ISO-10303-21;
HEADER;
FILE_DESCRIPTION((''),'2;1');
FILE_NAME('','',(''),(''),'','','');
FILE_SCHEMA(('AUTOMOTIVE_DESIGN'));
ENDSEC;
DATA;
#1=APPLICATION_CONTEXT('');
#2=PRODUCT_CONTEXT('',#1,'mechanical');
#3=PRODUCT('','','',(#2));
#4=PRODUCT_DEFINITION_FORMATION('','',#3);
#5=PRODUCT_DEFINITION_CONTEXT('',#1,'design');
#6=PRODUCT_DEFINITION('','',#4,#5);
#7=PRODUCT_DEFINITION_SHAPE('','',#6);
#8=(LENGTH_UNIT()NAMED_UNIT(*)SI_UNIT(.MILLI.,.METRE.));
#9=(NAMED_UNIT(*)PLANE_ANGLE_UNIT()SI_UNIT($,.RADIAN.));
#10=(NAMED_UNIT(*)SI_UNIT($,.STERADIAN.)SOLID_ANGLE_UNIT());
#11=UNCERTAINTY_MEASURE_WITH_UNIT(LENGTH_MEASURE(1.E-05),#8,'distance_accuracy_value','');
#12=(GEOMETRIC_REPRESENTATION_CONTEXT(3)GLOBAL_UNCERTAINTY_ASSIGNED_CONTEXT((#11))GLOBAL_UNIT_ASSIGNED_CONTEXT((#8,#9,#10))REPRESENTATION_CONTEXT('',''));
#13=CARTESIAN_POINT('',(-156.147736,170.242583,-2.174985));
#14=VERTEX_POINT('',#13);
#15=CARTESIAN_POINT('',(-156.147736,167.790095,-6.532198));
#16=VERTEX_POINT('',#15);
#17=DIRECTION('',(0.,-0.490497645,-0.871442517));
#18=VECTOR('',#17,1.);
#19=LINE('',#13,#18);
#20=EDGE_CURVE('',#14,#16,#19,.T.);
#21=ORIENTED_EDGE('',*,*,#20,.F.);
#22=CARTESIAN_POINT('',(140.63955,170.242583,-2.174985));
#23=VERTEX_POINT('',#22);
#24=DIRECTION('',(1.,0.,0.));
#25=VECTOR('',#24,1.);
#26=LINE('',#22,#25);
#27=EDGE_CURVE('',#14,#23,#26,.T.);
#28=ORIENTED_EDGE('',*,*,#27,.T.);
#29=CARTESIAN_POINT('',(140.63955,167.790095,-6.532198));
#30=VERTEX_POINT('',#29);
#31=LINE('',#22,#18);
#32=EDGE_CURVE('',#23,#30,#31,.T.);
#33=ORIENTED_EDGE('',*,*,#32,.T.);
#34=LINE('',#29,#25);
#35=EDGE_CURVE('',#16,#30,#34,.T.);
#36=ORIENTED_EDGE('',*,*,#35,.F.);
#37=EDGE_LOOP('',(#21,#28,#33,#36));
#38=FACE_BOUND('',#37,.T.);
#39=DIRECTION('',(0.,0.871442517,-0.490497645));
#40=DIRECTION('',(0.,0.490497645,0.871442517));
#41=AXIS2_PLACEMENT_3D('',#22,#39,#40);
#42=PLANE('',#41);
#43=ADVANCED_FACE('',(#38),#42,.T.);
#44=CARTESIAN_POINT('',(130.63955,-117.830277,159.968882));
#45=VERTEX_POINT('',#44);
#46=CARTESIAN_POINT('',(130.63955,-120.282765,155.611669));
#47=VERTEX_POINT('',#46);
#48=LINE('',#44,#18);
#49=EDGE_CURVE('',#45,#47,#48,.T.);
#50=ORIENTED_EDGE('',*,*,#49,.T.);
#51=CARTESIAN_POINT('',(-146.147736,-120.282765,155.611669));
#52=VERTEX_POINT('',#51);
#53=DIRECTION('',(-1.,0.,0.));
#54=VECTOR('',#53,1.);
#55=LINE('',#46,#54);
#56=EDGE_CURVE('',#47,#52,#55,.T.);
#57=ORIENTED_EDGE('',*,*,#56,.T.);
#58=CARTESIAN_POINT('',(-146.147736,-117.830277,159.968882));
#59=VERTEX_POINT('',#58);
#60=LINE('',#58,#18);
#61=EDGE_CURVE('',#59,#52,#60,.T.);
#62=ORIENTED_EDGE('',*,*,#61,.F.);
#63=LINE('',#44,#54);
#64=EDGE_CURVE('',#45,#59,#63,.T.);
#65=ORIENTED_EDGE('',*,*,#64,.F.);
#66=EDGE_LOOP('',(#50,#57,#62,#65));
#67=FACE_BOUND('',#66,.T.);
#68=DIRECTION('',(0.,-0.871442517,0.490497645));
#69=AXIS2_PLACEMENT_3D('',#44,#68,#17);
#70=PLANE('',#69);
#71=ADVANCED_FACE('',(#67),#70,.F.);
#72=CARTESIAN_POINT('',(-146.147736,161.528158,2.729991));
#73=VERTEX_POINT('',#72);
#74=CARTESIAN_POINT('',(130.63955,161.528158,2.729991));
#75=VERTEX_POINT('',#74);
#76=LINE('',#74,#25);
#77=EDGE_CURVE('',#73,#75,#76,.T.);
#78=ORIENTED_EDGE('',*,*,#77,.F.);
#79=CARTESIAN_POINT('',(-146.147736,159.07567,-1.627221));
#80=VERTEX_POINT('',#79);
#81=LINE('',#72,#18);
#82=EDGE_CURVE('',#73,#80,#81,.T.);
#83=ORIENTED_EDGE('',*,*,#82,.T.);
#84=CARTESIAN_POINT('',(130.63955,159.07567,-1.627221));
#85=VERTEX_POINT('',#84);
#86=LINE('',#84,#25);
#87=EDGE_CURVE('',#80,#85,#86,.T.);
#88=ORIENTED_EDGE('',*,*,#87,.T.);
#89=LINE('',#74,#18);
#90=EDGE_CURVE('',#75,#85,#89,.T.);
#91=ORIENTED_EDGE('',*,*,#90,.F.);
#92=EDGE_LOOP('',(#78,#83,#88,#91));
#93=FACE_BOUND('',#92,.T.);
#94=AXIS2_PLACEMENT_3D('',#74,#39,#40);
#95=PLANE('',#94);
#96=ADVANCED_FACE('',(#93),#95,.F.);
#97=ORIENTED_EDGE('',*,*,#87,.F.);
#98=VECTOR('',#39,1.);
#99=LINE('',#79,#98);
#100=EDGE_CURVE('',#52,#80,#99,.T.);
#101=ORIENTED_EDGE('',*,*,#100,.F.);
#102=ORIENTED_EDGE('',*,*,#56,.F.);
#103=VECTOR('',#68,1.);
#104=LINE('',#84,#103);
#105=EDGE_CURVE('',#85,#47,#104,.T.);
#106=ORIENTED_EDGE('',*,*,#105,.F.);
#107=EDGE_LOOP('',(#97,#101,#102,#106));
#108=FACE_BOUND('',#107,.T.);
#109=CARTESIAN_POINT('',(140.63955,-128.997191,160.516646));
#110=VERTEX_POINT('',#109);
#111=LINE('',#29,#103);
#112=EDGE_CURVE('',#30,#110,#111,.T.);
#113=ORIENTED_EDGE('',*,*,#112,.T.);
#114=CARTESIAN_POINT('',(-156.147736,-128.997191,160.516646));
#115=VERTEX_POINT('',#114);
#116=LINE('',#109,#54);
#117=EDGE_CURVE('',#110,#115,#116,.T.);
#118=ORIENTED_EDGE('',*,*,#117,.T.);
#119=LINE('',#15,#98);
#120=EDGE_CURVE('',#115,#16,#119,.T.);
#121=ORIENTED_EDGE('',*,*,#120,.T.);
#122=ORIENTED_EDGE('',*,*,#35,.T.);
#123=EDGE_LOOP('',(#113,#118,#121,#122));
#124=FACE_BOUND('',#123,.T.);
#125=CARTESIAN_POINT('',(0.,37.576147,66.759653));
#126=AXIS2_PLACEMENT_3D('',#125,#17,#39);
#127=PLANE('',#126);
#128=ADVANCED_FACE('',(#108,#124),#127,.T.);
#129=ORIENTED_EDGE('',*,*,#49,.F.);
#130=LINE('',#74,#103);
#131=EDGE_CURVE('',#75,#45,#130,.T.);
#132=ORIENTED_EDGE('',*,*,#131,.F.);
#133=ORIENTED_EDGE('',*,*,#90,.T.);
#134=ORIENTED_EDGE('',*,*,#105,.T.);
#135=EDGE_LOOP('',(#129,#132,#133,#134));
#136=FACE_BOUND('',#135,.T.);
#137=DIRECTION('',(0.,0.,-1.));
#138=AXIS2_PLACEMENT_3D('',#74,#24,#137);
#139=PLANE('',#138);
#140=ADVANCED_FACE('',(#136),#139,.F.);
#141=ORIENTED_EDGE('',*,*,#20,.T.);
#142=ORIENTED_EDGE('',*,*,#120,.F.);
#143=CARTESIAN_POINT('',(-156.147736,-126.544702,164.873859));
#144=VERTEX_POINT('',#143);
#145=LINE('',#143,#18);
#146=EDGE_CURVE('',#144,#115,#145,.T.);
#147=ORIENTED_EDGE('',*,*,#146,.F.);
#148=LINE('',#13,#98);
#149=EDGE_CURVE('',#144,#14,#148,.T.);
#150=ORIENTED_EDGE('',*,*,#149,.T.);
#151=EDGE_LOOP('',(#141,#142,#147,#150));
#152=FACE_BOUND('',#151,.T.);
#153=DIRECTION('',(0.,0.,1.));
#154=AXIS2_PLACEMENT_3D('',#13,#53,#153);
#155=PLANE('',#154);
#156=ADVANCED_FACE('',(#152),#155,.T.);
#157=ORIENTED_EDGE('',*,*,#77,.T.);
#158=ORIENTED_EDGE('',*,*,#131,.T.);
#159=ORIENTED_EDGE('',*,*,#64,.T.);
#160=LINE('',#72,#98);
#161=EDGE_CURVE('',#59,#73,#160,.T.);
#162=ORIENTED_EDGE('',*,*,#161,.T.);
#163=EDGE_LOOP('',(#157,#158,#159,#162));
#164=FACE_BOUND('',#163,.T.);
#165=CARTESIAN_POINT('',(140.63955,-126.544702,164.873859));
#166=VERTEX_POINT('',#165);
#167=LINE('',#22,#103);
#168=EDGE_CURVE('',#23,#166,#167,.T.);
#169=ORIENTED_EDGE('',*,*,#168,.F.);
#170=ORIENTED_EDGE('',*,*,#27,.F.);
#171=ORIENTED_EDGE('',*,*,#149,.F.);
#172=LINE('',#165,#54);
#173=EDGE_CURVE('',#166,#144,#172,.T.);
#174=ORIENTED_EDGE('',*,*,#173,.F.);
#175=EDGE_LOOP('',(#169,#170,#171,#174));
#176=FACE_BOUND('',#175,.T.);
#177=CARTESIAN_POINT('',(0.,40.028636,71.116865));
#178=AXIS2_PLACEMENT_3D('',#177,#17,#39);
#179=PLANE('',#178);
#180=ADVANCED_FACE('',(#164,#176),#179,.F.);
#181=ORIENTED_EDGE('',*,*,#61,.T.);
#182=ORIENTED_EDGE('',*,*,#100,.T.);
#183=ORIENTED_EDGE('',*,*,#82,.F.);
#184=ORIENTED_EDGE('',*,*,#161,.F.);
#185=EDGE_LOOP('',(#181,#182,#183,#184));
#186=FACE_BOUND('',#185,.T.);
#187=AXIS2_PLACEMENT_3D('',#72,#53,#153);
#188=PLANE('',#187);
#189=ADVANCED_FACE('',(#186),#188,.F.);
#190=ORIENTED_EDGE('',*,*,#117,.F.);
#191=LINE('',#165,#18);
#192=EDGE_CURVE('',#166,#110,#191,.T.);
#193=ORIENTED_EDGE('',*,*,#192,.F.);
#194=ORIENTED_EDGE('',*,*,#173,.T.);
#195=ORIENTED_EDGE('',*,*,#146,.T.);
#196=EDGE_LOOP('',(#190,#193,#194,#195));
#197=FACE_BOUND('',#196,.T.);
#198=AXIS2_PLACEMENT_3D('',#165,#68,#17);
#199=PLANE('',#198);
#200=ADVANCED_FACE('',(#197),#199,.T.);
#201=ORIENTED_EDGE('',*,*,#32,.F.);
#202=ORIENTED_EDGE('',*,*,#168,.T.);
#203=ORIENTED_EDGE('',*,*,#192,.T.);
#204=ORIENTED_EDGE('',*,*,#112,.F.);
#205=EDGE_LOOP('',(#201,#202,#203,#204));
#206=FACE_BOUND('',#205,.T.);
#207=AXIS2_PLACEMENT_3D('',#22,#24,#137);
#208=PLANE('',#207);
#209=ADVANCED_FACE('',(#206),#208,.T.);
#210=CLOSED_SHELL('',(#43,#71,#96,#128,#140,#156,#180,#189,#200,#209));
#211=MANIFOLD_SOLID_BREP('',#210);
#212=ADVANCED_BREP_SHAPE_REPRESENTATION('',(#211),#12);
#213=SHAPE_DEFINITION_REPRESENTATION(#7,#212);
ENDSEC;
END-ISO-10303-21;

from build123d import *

# Parameters (mm, degrees)
CROQUIS2_W              = 296.787285623
CROQUIS2_H              = 340.570123561
CROQUIS2_W_2            = 276.787285623
CROQUIS2_H_2            = 320.570123561
SALIENTE_EXTRUIR1_DEPTH = 5


with BuildPart() as part:
    # Croquis2 → Saliente-Extruir1 (new body)
    with BuildSketch(Plane(origin=(0, 37.576147441, 66.759652814), x_dir=(-1, 0, 0), z_dir=(0, -0.49049764516922784, -0.8714425167981203))):
        with Locations((7.754092984, -20.861611505)):
            Rectangle(CROQUIS2_W, CROQUIS2_H)
        with Locations((7.754092984, -20.861611505)):
            Rectangle(CROQUIS2_W_2, CROQUIS2_H_2, mode=Mode.SUBTRACT)
    extrude(amount=-SALIENTE_EXTRUIR1_DEPTH)


solid = part.part
